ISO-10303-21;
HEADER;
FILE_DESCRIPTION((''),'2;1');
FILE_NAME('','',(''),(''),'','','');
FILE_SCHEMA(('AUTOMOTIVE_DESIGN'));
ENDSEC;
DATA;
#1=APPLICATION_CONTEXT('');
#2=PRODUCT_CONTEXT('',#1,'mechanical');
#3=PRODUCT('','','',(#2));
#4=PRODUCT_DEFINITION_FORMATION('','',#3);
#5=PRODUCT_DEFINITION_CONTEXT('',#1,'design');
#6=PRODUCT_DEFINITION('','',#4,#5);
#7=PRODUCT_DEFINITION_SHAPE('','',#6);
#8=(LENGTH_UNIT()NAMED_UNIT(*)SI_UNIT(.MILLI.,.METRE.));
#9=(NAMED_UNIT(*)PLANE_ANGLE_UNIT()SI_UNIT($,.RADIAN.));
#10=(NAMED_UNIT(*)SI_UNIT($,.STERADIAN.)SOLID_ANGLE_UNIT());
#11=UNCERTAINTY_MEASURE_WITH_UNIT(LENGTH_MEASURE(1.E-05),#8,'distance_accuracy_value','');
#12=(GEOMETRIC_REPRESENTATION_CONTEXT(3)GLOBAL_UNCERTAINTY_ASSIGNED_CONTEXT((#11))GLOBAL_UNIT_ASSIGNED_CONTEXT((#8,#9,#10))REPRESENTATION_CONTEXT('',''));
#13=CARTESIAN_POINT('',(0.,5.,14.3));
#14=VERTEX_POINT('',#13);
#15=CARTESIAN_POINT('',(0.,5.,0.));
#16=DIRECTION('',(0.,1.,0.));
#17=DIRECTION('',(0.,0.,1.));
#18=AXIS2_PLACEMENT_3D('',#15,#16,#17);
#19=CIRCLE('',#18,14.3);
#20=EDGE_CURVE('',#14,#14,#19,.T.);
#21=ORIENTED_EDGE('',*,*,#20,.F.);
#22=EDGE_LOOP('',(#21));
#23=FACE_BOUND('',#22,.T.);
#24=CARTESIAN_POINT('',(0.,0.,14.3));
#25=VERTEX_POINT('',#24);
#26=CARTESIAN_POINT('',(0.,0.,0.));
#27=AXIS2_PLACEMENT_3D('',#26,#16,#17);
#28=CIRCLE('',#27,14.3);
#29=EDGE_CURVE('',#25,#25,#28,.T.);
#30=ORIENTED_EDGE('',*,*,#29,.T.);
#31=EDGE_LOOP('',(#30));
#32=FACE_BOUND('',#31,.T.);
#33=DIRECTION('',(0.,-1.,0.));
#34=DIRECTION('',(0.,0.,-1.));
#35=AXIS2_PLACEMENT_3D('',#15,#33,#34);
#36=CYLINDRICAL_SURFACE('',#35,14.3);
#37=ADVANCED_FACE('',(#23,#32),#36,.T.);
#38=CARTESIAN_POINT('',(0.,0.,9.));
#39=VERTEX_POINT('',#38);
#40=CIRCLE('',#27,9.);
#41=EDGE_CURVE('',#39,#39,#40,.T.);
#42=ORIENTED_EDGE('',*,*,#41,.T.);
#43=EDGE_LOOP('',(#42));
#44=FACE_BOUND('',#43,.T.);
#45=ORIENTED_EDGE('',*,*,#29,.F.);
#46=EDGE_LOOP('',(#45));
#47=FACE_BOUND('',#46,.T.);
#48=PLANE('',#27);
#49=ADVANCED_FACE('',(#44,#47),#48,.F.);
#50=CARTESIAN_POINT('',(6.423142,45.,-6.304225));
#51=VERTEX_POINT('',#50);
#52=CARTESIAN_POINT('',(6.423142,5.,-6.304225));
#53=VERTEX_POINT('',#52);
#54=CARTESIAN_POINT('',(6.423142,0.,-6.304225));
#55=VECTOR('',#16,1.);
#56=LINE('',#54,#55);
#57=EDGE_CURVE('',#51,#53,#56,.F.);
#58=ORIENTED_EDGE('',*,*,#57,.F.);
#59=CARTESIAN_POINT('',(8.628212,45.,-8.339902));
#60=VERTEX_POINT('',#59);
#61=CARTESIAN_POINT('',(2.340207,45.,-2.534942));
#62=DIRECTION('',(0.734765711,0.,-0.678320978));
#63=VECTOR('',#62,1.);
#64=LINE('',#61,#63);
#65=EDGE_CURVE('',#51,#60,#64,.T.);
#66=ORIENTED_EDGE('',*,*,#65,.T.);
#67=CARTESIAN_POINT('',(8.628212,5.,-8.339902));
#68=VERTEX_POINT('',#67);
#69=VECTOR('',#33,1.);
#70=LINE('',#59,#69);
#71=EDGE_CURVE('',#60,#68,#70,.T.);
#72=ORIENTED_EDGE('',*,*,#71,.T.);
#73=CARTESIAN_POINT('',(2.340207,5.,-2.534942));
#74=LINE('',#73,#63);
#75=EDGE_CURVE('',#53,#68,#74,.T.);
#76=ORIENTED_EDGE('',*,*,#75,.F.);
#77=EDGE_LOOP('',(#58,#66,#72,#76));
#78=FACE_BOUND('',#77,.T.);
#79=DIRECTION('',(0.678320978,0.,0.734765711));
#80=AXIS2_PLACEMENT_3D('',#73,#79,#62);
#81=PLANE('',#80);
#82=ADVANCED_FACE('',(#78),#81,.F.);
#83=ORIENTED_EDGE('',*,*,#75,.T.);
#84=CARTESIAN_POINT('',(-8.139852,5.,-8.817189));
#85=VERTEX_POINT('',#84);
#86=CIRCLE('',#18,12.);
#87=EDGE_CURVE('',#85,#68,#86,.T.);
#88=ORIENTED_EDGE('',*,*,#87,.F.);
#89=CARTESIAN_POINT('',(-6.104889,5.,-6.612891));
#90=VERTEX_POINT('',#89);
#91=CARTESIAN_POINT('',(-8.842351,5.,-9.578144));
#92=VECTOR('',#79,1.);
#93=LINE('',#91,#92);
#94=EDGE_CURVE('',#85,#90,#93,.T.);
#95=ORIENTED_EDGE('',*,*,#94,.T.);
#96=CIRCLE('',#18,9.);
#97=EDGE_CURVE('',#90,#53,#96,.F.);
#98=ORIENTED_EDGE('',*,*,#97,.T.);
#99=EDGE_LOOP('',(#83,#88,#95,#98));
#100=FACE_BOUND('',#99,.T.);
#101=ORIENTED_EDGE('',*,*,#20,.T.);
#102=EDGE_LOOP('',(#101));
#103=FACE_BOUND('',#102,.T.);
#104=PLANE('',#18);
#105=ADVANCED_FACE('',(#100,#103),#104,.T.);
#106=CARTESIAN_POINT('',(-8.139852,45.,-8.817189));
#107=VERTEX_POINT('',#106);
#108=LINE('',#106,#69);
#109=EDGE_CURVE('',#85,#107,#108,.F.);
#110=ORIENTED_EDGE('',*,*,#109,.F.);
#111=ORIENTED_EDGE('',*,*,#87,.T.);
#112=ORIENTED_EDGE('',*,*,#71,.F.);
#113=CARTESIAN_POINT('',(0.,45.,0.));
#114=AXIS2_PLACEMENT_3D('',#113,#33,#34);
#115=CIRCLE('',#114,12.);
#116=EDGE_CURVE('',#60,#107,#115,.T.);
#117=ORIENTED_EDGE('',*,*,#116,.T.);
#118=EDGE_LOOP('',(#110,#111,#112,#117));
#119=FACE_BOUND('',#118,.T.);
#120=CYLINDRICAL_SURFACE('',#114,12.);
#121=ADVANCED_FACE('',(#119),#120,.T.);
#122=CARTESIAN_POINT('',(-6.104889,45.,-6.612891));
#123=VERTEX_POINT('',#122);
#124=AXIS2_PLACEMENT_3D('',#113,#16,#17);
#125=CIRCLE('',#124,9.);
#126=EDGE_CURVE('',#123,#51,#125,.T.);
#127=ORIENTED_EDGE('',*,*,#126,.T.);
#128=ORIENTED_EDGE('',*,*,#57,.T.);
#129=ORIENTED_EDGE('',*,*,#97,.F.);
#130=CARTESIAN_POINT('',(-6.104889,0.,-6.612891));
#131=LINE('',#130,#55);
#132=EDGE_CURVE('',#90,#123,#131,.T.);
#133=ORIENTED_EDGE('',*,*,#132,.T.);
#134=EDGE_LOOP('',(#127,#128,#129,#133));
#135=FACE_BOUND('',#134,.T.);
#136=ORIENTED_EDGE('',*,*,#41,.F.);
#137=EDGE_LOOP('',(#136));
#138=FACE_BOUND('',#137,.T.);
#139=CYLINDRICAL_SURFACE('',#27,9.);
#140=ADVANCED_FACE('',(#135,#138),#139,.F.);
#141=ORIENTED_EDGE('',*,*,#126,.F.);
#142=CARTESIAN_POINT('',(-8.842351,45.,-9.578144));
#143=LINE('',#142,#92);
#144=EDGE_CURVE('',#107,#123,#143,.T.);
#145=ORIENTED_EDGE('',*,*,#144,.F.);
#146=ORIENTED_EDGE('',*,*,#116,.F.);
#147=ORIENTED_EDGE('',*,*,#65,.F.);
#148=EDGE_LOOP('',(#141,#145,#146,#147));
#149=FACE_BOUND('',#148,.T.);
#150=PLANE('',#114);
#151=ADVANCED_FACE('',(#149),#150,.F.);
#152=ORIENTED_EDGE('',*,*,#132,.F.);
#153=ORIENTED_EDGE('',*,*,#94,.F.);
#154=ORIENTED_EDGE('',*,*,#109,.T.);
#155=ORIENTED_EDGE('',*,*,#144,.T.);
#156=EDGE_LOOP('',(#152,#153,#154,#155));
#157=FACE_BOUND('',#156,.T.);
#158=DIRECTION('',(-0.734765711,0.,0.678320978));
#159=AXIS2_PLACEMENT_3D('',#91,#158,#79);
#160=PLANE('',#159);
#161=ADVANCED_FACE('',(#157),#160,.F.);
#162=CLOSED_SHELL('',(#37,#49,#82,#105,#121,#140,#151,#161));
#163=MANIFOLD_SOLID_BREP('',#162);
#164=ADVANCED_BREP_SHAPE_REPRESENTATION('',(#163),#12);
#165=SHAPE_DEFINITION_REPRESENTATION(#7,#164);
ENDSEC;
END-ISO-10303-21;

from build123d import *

# Parameters (mm, degrees)
SKETCH1_R           = 14.3
BOSS_EXTRUDE1_DEPTH = 5
SKETCH2_R           = 12
BOSS_EXTRUDE2_DEPTH = 45
SKETCH3_R           = 9
CUT_EXTRUDE1_DEPTH  = 50.33538284
CUT_EXTRUDE3_DEPTH  = 40


with BuildPart() as part:
    # Sketch1 → Boss-Extrude1 (new body)
    with BuildSketch(Plane(origin=(0, 0, 0), x_dir=(1, 0, 0), z_dir=(0, 1, 0))):
        with Locations(Location((0, 0, 0), (0, 0, 270))):
            Circle(SKETCH1_R)
    extrude(amount=BOSS_EXTRUDE1_DEPTH)

    # Sketch2 → Boss-Extrude2 (add)
    with BuildSketch(Plane.XZ):
        with Locations(Location((0, 0, 0), (0, 0, 270))):
            Circle(SKETCH2_R)
    extrude(amount=-BOSS_EXTRUDE2_DEPTH)

    # Sketch3 → Cut-Extrude1 (cut, through all)
    with BuildSketch(Plane(origin=(0, 45, 0), x_dir=(1, 0, 0), z_dir=(0, 1, 0))):
        with Locations(Location((0, 0, 0), (0, 0, 270))):
            Circle(SKETCH3_R)
    extrude(amount=-CUT_EXTRUDE1_DEPTH, mode=Mode.SUBTRACT)

    # Sketch4 → Cut-Extrude3 (cut)
    with BuildSketch(Plane(origin=(0, 45, 0), x_dir=(1, 0, 0), z_dir=(0, 1, 0))):
        with BuildLine():
            Line((-8.842350879, 9.578144326), (-2.340207376, 2.534941703))
            ThreePointArc((-2.340207376, 2.534941703), (0, 3.45), (2.340207376, 2.534941703))
            Line((2.340207376, 2.534941703), (9.389352033, 9.042570774))
            ThreePointArc((9.389352033, 9.042570774), (0.382769282, 13.030023234), (-8.842350879, 9.578144326))
        make_face()
    extrude(amount=-CUT_EXTRUDE3_DEPTH, mode=Mode.SUBTRACT)


solid = part.part
